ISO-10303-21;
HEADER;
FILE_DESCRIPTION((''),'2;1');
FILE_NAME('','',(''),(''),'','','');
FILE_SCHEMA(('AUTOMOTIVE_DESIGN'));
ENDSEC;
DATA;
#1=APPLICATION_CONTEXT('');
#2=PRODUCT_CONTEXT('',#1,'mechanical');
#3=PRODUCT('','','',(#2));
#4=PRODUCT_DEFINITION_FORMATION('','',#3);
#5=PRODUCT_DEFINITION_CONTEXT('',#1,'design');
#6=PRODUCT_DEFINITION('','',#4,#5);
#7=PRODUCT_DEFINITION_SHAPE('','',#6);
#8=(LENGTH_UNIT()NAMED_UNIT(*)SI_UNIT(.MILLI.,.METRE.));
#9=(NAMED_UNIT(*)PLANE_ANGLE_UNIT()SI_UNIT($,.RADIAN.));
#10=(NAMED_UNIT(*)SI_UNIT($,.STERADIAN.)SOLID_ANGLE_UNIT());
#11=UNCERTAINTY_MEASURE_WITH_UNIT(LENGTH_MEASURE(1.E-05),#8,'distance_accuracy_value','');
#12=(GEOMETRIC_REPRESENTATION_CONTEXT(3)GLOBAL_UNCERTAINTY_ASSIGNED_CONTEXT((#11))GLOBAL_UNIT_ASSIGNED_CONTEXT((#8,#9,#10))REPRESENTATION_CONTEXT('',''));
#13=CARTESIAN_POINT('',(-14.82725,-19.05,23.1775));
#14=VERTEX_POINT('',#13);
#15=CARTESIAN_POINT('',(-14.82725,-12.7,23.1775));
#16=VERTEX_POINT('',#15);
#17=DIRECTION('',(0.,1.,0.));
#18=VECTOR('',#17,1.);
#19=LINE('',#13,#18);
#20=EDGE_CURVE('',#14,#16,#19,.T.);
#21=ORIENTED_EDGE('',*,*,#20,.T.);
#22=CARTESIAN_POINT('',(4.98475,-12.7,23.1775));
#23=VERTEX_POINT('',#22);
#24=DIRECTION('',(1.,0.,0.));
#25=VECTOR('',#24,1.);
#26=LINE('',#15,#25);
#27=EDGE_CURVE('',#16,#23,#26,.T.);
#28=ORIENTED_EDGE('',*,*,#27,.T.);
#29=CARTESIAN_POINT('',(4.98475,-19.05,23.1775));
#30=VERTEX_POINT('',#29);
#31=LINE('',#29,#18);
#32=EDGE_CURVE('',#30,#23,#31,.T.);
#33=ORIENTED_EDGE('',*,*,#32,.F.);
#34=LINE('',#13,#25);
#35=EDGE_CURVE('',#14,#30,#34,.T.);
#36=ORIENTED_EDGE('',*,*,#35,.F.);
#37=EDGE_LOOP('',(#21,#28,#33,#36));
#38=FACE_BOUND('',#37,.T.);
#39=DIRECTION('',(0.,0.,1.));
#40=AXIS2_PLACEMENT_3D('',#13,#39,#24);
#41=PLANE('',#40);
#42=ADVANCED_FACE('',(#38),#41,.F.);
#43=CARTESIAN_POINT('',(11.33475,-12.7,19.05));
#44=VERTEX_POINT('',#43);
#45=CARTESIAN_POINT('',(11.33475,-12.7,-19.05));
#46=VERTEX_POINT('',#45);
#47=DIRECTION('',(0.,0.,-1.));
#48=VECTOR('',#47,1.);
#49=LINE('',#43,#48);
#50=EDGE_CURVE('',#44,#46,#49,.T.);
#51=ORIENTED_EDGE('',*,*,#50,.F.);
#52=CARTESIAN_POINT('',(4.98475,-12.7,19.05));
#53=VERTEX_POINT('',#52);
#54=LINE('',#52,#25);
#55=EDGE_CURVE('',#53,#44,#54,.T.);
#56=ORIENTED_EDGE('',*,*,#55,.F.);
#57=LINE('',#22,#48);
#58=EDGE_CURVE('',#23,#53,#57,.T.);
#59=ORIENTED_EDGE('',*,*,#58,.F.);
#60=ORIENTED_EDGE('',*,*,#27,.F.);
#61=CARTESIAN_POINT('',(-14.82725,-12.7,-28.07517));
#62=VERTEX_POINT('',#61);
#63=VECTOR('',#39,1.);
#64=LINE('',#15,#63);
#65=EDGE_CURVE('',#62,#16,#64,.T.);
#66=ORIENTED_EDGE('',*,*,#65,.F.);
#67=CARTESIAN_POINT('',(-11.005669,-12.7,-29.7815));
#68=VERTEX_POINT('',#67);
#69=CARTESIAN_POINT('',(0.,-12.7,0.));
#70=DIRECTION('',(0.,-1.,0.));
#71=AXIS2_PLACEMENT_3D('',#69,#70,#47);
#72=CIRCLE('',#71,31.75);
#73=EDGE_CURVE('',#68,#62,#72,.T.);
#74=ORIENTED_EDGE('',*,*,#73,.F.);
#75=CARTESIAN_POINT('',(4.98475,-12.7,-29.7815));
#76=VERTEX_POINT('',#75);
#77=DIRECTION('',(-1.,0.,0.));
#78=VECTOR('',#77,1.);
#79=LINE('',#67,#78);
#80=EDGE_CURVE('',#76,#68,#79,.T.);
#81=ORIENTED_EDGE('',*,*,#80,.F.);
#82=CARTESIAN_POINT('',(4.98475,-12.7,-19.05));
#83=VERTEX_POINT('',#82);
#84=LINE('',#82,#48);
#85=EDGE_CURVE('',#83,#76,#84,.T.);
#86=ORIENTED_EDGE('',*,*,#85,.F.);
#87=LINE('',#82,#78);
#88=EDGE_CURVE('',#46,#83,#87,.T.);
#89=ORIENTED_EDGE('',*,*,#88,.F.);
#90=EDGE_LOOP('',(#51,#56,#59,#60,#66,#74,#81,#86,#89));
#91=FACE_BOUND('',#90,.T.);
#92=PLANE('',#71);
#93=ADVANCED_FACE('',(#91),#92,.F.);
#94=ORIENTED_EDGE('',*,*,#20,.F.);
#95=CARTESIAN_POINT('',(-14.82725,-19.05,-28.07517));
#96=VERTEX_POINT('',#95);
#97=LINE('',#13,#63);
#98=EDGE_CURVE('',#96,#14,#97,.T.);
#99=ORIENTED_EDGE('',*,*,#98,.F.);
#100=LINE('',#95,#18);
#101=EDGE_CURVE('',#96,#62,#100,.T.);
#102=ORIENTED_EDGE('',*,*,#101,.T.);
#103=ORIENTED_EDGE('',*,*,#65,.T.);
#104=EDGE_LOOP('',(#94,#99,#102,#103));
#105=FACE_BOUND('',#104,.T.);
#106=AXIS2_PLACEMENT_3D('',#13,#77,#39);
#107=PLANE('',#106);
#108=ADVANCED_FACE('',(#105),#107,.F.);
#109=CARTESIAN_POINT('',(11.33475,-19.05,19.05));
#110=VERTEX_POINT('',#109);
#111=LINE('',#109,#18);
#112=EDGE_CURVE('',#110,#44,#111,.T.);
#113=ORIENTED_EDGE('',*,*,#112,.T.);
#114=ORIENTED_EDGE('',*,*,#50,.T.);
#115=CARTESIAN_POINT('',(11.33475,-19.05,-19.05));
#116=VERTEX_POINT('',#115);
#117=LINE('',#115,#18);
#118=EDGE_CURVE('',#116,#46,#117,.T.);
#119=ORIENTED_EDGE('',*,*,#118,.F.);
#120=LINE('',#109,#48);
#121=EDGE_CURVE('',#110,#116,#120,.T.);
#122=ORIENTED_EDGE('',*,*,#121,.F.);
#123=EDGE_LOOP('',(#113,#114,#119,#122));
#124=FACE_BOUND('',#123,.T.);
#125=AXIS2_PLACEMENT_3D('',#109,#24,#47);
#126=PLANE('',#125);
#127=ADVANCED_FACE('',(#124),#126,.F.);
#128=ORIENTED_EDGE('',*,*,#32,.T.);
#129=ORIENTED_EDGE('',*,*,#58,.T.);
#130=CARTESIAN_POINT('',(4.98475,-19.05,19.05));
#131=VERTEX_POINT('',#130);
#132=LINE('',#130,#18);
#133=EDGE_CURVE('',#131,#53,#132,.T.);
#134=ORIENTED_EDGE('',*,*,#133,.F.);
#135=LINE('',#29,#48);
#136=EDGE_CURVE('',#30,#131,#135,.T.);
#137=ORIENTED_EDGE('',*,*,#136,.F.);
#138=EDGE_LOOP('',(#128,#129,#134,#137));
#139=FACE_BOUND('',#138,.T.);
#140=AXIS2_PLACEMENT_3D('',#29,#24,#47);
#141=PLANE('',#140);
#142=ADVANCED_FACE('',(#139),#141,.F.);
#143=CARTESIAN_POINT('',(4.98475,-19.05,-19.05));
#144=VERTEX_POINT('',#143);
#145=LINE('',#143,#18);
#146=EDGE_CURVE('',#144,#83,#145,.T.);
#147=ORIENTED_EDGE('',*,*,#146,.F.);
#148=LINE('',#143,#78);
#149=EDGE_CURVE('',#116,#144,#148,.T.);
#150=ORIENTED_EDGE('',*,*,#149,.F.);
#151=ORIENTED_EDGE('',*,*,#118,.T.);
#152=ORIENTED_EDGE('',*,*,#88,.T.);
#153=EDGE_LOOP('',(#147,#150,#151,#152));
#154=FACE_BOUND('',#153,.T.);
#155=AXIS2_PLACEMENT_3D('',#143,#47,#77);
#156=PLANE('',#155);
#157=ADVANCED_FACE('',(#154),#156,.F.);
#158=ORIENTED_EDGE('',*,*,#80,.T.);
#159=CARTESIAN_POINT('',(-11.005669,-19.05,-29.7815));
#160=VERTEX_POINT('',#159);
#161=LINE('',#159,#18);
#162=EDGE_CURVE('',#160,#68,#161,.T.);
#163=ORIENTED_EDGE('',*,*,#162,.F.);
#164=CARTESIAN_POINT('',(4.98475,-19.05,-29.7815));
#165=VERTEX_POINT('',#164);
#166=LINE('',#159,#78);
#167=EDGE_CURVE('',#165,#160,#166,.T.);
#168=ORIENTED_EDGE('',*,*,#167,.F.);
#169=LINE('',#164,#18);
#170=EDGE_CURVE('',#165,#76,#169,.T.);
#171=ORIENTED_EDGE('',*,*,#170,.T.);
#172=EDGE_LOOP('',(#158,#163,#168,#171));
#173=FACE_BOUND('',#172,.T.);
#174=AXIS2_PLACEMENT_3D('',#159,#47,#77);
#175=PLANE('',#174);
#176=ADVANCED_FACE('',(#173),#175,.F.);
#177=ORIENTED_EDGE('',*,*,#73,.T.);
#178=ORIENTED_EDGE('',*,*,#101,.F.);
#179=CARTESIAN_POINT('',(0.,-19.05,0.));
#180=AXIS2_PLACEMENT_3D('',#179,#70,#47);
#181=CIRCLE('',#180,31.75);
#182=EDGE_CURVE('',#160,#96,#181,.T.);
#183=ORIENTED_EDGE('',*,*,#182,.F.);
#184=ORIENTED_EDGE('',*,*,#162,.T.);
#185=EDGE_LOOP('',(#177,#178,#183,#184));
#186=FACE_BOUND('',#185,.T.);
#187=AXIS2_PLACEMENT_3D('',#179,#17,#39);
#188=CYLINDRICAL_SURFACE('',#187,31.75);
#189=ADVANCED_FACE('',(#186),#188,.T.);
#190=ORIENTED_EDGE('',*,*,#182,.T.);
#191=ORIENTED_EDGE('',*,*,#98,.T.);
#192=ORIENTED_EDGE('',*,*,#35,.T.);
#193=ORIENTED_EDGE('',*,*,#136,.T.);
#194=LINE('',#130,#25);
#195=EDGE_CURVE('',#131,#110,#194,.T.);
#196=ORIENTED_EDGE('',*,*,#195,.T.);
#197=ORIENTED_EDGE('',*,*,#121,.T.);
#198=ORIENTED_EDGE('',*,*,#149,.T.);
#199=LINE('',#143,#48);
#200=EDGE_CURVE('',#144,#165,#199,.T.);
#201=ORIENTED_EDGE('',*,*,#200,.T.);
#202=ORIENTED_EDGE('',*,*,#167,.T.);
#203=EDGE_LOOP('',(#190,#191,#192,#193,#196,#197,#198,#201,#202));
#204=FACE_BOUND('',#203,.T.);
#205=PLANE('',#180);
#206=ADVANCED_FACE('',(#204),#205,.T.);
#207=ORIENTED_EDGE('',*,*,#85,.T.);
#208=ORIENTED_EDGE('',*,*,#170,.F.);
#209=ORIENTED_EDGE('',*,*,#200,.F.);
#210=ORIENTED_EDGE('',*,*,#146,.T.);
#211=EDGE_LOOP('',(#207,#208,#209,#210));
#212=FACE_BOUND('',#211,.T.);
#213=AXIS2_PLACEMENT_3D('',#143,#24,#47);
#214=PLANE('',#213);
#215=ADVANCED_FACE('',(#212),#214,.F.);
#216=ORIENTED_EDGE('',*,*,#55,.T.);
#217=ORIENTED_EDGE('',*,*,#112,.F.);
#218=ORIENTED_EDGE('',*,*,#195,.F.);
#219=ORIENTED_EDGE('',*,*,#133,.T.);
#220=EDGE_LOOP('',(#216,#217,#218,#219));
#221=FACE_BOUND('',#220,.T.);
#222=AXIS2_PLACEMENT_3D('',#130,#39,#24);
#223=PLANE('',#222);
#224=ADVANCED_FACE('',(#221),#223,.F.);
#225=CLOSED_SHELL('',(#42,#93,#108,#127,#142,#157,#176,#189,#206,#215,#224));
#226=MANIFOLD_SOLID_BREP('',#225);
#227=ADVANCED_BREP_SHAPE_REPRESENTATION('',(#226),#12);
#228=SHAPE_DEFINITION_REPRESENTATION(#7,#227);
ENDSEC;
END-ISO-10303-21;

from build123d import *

# Parameters (mm, degrees)
SKETCH1_R           = 47.625
BOSS_EXTRUDE1_DEPTH = 12.7
SKETCH2_R           = 47.625
BOSS_EXTRUDE4_DEPTH = 12.7
BOSS_EXTRUDE5_DEPTH = 4.7625
SKETCH14_W          = 19.812
SKETCH14_H          = 52.959
CUT_EXTRUDE11_DEPTH = 9.275815586
BOSS_EXTRUDE7_DEPTH = 6.35


with BuildPart() as part:
    # Sketch1 → Boss-Extrude1 (new body)
    with BuildSketch(Plane(origin=(0, 0, 0), x_dir=(1, 0, 0), z_dir=(0, 1, 0))):
        Circle(SKETCH1_R)
    extrude(amount=-BOSS_EXTRUDE1_DEPTH)

    # Sketch14 → Cut-Extrude11 (cut)
    with BuildSketch(Plane.XZ.offset(12.7)):
        with Locations((-4.92125, -3.302)):
            Rectangle(SKETCH14_W, SKETCH14_H)
    extrude(amount=-CUT_EXTRUDE11_DEPTH, mode=Mode.SUBTRACT)


with BuildPart() as body_2:
    # Sketch2 → Boss-Extrude4 (new body)
    with BuildSketch(Plane(origin=(0, 0, 0), x_dir=(1, 0, 0), z_dir=(0, 1, 0))):
        Circle(SKETCH2_R)
        with BuildLine():
            Line((30.48, 5.08), (26.035, 5.08))
            Line((26.035, 5.08), (26.035, -36.027507199))
            ThreePointArc((26.035, -36.027507199), (0, -44.45), (-26.035, -36.027507199))
            Line((-26.035, -36.027507199), (-26.035, 5.08))
            Line((-26.035, 5.08), (-30.48, 5.08))
            Line((-30.48, 5.08), (-30.48, -32.353857575))
            ThreePointArc((-30.48, -32.353857575), (-43.961440483, 6.572233308), (-19.685, 39.853522743))
            Line((-19.685, 39.853522743), (-19.685, 25.0825))
            Line((-19.685, 25.0825), (-15.24, 25.0825))
            Line((-15.24, 25.0825), (-15.24, 41.755776846))
            ThreePointArc((-15.24, 41.755776846), (0, 44.45), (15.24, 41.755776846))
            Line((15.24, 41.755776846), (15.24, 25.0825))
            Line((15.24, 25.0825), (19.685, 25.0825))
            Line((19.685, 25.0825), (19.685, 39.853522743))
            ThreePointArc((19.685, 39.853522743), (43.961440483, 6.572233308), (30.48, -32.353857575))
            Line((30.48, -32.353857575), (30.48, 5.08))
        make_face(mode=Mode.SUBTRACT)
    extrude(amount=BOSS_EXTRUDE4_DEPTH)


with BuildPart() as body_3:
    # Sketch10 → Boss-Extrude5 (new body)
    with BuildSketch(Plane(origin=(0, 0, 0), x_dir=(1, 0, 0), z_dir=(0, 1, 0))):
        with BuildLine():
            ThreePointArc((4.7625, -44.19412963), (7.475442585, -43.816894666), (10.16, -43.273281595))
            Line((10.16, -43.273281595), (10.16, 43.273281595))
            ThreePointArc((10.16, 43.273281595), (7.475442585, 43.816894666), (4.7625, 44.19412963))
            Line((4.7625, 44.19412963), (4.7625, -44.19412963))
        make_face()
    extrude(amount=BOSS_EXTRUDE5_DEPTH)


with BuildPart() as body_4:
    # Sketch18 → Boss-Extrude7 (new body)
    with BuildSketch(Plane.XZ.offset(12.7)):
        with BuildLine():
            Line((-14.82725, 23.1775), (4.98475, 23.1775))
            Line((4.98475, 23.1775), (4.98475, 19.05))
            Line((4.98475, 19.05), (11.33475, 19.05))
            Line((11.33475, 19.05), (11.33475, -19.05))
            Line((11.33475, -19.05), (4.98475, -19.05))
            Line((4.98475, -19.05), (4.98475, -29.7815))
            Line((4.98475, -29.7815), (-11.005669346, -29.7815))
            ThreePointArc((-11.005669346, -29.7815), (12.944605873, 28.991372489), (-14.82725, -28.075169767))
            Line((-14.82725, -28.075169767), (-14.82725, 23.1775))
        make_face()
    extrude(amount=BOSS_EXTRUDE7_DEPTH)


solid = body_4.part
